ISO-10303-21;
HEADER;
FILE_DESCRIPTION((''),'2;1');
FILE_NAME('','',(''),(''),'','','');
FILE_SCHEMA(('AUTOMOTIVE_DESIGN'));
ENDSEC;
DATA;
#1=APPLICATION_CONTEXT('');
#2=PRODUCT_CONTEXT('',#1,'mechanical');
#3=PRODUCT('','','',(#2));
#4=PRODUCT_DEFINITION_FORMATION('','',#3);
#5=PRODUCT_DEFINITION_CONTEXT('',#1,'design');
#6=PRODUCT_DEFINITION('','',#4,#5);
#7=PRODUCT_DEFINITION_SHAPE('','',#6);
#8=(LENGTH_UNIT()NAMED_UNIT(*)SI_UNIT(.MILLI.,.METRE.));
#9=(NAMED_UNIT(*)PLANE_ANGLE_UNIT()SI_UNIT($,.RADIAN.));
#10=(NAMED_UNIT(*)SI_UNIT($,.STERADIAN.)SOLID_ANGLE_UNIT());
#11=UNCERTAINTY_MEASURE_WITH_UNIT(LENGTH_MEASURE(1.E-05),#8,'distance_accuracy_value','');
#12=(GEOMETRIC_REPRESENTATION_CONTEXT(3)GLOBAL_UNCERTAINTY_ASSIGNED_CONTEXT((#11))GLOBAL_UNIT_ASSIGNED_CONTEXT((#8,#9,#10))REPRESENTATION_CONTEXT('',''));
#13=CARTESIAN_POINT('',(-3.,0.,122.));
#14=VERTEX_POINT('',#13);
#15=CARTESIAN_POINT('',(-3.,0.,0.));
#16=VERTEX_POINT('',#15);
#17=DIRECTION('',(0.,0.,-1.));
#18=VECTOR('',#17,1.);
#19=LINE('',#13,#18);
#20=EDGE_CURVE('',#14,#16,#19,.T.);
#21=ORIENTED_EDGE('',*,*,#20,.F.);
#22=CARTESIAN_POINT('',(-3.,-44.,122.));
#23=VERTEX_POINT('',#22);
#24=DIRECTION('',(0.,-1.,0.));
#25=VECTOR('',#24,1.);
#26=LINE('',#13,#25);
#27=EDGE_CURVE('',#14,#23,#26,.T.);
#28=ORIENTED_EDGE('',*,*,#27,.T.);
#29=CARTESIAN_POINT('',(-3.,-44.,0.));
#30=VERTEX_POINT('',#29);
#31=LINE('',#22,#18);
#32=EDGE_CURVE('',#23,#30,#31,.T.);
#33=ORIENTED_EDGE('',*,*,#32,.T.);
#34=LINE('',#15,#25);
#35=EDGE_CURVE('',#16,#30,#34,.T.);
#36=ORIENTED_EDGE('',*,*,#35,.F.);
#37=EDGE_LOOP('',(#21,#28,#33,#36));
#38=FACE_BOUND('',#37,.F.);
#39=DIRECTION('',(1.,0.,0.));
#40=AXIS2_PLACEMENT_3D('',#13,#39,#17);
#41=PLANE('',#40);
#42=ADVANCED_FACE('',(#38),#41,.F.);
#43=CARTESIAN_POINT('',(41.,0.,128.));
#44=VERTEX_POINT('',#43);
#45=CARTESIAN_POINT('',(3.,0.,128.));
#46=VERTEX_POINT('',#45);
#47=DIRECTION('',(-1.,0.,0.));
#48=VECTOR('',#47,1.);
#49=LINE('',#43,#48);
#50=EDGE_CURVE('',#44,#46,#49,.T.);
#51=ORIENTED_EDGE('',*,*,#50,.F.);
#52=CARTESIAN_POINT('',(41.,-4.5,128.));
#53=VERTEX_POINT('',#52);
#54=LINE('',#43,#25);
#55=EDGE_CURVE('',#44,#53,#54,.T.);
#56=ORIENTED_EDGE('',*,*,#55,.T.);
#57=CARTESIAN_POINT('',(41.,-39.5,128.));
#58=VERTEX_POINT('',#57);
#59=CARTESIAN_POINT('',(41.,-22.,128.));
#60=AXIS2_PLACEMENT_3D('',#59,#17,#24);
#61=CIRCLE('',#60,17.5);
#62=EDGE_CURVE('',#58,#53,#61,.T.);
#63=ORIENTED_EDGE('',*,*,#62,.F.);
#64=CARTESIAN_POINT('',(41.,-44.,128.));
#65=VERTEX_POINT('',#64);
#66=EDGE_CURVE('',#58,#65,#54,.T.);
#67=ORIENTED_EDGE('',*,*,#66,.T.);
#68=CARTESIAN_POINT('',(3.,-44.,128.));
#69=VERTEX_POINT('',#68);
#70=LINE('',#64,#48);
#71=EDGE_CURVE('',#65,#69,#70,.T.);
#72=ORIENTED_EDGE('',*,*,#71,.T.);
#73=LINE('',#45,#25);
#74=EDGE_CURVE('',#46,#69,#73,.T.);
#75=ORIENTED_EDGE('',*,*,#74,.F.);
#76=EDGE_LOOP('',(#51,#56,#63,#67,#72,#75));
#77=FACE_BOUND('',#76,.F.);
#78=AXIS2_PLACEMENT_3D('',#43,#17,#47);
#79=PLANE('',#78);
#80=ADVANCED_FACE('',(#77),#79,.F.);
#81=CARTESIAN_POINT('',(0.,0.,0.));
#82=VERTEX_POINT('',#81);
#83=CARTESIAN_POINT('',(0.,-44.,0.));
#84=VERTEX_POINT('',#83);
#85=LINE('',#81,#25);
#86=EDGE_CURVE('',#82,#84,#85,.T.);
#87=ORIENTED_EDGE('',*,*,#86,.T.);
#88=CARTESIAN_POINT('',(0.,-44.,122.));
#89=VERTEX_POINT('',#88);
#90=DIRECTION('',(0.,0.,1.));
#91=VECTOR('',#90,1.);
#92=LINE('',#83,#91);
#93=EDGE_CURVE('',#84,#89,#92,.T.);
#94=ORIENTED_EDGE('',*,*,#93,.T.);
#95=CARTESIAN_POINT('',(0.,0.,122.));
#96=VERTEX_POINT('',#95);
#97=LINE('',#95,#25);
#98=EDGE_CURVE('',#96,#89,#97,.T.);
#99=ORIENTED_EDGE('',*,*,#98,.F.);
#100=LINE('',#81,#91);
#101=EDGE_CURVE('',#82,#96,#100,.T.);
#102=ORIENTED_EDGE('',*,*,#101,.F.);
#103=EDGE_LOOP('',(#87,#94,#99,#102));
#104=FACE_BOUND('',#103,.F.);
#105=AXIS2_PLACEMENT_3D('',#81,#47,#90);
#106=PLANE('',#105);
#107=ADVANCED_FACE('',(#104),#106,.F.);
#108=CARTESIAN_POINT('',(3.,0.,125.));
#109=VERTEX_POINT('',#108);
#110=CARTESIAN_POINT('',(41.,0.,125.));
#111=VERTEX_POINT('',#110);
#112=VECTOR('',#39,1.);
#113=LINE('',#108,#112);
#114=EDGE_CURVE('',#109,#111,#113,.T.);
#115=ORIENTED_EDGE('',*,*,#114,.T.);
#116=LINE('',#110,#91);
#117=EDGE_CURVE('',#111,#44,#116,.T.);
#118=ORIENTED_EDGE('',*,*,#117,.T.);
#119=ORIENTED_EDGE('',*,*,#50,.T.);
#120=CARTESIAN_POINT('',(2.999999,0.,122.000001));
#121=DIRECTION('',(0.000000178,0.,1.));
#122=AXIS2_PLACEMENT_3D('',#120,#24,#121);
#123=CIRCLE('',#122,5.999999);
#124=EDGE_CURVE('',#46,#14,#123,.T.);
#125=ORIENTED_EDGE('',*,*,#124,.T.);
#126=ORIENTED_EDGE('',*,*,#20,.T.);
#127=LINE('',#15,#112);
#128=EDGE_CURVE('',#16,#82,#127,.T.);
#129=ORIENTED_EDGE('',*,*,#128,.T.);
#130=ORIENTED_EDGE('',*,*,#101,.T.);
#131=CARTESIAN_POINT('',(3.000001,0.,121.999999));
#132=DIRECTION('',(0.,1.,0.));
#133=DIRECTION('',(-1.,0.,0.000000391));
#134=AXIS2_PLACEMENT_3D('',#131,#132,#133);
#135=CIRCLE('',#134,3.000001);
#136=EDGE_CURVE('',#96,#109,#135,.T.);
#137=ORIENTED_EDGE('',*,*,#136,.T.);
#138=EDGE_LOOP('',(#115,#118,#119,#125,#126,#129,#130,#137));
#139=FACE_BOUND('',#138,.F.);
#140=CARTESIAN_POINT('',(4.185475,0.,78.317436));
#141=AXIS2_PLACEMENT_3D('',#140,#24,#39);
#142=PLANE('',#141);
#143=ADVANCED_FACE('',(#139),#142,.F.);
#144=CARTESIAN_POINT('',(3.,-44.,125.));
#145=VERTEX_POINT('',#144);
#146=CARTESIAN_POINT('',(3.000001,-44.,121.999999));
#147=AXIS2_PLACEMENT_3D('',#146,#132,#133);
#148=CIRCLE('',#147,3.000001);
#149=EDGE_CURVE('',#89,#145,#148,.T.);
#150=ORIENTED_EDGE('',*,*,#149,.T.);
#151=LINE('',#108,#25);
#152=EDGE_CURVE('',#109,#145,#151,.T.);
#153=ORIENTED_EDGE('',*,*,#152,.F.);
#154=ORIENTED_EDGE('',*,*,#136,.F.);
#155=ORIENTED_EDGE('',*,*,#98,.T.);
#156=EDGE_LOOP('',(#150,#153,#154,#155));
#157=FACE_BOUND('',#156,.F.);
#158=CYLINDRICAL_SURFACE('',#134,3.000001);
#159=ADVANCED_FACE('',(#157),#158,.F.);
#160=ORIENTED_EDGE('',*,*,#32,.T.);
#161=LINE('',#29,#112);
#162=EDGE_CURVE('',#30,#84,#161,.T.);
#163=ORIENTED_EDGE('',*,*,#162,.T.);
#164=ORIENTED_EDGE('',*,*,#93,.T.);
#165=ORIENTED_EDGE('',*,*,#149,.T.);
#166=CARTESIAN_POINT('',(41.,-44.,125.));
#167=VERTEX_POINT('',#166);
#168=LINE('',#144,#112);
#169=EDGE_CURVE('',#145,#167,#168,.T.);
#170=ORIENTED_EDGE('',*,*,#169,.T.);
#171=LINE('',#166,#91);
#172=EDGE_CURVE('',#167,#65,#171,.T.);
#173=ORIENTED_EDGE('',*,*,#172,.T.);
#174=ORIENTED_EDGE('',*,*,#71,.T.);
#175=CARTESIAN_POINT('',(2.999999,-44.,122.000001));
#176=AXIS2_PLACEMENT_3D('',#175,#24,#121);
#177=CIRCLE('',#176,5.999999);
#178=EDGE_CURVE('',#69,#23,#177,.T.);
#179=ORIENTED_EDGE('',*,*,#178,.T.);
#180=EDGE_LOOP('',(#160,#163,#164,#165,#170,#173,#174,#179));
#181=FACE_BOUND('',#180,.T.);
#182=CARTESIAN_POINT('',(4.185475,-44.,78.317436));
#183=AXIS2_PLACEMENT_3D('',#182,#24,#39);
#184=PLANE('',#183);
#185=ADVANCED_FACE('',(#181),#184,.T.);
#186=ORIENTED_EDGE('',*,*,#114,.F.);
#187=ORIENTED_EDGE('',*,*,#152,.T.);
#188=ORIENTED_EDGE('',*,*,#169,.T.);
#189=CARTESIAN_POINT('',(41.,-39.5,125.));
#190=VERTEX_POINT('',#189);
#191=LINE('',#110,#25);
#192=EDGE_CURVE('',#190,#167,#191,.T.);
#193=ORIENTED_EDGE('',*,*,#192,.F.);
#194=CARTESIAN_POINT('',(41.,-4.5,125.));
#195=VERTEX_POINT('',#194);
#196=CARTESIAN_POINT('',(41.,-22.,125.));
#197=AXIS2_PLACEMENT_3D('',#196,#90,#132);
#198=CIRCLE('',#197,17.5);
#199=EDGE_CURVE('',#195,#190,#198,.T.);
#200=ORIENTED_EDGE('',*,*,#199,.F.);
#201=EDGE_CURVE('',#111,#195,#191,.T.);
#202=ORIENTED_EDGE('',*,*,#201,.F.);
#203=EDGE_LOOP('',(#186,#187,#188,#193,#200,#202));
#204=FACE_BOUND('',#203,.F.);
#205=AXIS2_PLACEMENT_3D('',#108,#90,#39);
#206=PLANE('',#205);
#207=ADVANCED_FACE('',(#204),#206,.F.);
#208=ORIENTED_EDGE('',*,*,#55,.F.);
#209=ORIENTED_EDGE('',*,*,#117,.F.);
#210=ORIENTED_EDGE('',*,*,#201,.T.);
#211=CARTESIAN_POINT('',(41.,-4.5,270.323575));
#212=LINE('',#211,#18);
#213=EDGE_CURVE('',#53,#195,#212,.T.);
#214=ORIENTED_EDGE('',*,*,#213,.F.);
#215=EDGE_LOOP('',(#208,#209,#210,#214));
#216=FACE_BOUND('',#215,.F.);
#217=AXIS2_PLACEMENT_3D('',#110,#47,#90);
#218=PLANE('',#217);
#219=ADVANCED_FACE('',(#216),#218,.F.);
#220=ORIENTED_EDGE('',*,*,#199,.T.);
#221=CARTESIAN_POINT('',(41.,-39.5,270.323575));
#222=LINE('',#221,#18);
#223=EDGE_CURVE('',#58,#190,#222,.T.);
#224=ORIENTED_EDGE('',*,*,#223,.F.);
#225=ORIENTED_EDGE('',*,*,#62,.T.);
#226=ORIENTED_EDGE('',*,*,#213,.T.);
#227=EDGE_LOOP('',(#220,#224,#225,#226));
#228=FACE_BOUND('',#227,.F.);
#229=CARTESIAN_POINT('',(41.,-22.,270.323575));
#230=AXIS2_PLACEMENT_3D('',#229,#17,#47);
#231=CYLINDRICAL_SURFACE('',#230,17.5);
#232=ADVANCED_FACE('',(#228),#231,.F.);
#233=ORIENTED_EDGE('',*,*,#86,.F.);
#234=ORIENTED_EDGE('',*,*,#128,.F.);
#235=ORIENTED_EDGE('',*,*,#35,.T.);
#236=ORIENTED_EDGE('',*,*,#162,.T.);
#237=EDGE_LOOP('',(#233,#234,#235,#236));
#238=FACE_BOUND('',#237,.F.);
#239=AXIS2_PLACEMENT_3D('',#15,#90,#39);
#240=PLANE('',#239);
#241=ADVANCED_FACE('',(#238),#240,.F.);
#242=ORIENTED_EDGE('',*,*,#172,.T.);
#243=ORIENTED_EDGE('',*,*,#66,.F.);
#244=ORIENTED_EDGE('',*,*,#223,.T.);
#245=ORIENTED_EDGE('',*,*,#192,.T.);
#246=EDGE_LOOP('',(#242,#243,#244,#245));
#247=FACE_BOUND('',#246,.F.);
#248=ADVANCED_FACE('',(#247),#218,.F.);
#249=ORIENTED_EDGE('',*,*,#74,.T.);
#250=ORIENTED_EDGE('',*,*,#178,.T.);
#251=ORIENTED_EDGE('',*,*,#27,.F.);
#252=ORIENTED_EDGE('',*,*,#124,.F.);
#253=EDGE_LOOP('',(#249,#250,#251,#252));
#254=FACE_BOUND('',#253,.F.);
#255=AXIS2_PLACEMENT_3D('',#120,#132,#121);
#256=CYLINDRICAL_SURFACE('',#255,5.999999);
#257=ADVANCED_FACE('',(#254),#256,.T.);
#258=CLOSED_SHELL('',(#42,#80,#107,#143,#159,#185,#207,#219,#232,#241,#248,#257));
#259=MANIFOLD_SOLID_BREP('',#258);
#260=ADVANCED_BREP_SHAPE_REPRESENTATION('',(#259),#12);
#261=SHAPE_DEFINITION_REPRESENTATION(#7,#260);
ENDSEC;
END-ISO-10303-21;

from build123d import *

# Parameters (mm, degrees)
F1_DEPTH = 44
F3_D     = 35


with BuildPart() as f1:
    # F0 (on Front) → F1 (new body)
    with BuildSketch(Plane.XZ):
        with BuildLine():
            Line((-3, 0), (0, 0))
            Line((0, 0), (0, 122))
            ThreePointArc((0, 122), (0.87868, 124.12132), (3, 125))
            Line((3, 125), (41, 125))
            Line((41, 125), (41, 128))
            Line((41, 128), (3, 128))
            ThreePointArc((3, 128), (-1.242641, 126.242641), (-3, 122))
            Line((-3, 122), (-3, 0))
        make_face()
    extrude(amount=F1_DEPTH)

    # F3 (through all)
    with Locations(Plane.XY.offset(128)):
        with Locations((41, -22)):
            Hole(F3_D / 2)


solid = f1.part
